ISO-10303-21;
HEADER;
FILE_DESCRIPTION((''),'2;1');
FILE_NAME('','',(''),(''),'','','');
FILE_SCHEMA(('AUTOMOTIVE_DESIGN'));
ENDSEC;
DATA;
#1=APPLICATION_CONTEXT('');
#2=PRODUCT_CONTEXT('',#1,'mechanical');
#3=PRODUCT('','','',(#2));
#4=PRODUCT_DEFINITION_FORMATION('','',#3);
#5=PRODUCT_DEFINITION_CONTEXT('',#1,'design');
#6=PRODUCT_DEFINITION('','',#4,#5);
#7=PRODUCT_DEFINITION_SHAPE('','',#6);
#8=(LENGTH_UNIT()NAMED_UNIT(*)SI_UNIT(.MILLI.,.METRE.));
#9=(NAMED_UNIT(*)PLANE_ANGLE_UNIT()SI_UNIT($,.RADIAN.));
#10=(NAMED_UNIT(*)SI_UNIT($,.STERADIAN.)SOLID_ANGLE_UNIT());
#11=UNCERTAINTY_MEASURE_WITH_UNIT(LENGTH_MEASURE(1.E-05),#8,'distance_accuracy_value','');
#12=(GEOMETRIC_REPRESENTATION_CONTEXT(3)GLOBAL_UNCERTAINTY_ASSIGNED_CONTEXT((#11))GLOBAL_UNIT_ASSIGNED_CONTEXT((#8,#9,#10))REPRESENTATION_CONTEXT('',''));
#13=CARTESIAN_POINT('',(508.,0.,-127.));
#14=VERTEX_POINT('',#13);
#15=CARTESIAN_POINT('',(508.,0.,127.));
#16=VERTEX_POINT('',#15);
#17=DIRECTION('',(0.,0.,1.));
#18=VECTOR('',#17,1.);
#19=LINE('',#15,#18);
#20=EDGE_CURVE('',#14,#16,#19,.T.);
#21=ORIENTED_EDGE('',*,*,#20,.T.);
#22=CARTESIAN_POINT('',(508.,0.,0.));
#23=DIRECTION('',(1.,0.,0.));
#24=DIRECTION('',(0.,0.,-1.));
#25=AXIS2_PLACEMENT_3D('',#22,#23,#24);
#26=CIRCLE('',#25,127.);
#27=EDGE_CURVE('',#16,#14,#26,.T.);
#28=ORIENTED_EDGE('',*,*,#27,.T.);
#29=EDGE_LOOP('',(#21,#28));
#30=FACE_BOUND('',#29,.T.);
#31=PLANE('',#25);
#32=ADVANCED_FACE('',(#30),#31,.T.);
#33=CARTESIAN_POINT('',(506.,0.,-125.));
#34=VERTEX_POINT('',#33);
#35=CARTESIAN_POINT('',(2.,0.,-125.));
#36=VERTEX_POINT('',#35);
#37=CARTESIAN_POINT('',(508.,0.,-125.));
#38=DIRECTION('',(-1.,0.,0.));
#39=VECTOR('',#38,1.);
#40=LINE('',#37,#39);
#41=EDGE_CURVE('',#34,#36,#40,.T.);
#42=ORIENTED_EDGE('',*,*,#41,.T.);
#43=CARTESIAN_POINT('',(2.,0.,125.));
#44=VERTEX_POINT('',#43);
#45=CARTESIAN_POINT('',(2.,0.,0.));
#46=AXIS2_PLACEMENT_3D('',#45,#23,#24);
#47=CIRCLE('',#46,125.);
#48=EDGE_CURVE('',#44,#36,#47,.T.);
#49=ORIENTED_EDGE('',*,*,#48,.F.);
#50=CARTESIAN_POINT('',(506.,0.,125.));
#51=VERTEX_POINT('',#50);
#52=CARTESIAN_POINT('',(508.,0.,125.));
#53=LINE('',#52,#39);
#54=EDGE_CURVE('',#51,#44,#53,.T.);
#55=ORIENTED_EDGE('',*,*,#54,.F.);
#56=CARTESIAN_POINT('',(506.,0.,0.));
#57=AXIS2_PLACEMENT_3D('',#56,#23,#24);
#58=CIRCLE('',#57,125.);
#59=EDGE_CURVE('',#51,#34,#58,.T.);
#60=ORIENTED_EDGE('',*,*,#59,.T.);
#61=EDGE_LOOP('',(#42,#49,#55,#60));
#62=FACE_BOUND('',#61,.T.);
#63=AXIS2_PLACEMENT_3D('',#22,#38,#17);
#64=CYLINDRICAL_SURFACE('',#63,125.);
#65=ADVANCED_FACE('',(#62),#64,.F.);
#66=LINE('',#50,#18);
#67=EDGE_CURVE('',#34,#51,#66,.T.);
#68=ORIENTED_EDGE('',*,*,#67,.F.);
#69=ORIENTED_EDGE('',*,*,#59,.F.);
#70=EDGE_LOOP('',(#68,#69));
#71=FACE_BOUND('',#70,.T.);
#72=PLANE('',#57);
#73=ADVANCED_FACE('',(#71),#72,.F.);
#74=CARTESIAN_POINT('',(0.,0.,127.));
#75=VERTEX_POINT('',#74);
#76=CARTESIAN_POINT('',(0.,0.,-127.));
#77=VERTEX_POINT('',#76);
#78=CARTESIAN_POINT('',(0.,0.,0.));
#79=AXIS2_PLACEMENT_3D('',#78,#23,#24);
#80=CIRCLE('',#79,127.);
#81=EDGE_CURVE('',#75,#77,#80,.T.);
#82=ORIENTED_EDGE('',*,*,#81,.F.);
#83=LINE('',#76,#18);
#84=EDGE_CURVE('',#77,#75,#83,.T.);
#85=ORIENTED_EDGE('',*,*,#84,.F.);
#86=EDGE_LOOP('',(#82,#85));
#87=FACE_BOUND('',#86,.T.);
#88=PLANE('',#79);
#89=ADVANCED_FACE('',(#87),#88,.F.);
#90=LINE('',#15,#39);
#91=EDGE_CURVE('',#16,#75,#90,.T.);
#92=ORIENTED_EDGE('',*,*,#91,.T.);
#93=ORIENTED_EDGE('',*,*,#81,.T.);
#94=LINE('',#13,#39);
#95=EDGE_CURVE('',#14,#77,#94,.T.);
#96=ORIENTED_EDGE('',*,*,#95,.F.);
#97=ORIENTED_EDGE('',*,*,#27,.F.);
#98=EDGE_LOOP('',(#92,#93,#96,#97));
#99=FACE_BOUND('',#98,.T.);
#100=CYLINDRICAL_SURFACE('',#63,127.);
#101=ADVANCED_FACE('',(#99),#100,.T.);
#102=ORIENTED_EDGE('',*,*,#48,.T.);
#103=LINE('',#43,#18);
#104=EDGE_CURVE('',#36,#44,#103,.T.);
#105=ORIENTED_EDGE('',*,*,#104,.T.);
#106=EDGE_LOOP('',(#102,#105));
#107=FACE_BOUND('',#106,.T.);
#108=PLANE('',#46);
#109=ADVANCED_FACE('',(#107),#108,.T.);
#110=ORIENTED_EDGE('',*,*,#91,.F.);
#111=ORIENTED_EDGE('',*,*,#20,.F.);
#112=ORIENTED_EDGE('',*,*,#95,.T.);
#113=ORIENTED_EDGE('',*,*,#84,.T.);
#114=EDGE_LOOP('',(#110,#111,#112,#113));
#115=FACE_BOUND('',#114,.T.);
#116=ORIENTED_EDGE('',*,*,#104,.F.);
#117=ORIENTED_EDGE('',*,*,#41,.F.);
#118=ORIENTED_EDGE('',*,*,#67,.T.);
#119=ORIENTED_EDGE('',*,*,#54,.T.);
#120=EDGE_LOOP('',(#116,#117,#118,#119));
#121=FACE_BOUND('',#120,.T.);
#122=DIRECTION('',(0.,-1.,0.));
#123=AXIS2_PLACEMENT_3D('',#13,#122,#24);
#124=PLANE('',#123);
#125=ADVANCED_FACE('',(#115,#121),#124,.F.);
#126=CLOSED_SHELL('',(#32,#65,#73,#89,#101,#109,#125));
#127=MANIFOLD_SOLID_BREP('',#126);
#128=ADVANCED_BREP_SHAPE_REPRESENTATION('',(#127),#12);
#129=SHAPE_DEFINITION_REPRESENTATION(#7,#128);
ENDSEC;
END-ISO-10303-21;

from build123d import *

# Parameters (mm, degrees)
BOSS_EXTRUDE1_DEPTH = 508
BOSS_EXTRUDE2_START = -2
BOSS_EXTRUDE2_DEPTH = 2
LPATTERN1_COUNT     = 2
LPATTERN1_PITCH     = 506


with BuildPart() as part:
    # Sketch1 → Boss-Extrude1 (new body)
    with BuildSketch(Plane(origin=(0, 0, 0), x_dir=(0, 0, -1), z_dir=(1, 0, 0))):
        with BuildLine():
            Line((127, 0), (125, 0))
            ThreePointArc((125, 0), (0, -125), (-125, 0))
            Line((-125, 0), (-127, 0))
            ThreePointArc((-127, 0), (0, -127), (127, 0))
        make_face()
    extrude(amount=BOSS_EXTRUDE1_DEPTH)

    # Sketch2 → Boss-Extrude2 (add)
    with BuildSketch(Plane(origin=(508, 0, 0), x_dir=(0, 0, -1), z_dir=(1, 0, 0)).offset(BOSS_EXTRUDE2_START)):
        with BuildLine():
            Line((-125, 0), (125, 0))
            ThreePointArc((125, 0), (0, -125), (-125, 0))
        make_face()
    boss_extrude2 = extrude(amount=BOSS_EXTRUDE2_DEPTH)

    # LPattern1: Boss-Extrude2 ×2
    with Locations(*[(-i * LPATTERN1_PITCH, 0, 0) for i in range(1, LPATTERN1_COUNT)]):
        add(boss_extrude2)


solid = part.part
